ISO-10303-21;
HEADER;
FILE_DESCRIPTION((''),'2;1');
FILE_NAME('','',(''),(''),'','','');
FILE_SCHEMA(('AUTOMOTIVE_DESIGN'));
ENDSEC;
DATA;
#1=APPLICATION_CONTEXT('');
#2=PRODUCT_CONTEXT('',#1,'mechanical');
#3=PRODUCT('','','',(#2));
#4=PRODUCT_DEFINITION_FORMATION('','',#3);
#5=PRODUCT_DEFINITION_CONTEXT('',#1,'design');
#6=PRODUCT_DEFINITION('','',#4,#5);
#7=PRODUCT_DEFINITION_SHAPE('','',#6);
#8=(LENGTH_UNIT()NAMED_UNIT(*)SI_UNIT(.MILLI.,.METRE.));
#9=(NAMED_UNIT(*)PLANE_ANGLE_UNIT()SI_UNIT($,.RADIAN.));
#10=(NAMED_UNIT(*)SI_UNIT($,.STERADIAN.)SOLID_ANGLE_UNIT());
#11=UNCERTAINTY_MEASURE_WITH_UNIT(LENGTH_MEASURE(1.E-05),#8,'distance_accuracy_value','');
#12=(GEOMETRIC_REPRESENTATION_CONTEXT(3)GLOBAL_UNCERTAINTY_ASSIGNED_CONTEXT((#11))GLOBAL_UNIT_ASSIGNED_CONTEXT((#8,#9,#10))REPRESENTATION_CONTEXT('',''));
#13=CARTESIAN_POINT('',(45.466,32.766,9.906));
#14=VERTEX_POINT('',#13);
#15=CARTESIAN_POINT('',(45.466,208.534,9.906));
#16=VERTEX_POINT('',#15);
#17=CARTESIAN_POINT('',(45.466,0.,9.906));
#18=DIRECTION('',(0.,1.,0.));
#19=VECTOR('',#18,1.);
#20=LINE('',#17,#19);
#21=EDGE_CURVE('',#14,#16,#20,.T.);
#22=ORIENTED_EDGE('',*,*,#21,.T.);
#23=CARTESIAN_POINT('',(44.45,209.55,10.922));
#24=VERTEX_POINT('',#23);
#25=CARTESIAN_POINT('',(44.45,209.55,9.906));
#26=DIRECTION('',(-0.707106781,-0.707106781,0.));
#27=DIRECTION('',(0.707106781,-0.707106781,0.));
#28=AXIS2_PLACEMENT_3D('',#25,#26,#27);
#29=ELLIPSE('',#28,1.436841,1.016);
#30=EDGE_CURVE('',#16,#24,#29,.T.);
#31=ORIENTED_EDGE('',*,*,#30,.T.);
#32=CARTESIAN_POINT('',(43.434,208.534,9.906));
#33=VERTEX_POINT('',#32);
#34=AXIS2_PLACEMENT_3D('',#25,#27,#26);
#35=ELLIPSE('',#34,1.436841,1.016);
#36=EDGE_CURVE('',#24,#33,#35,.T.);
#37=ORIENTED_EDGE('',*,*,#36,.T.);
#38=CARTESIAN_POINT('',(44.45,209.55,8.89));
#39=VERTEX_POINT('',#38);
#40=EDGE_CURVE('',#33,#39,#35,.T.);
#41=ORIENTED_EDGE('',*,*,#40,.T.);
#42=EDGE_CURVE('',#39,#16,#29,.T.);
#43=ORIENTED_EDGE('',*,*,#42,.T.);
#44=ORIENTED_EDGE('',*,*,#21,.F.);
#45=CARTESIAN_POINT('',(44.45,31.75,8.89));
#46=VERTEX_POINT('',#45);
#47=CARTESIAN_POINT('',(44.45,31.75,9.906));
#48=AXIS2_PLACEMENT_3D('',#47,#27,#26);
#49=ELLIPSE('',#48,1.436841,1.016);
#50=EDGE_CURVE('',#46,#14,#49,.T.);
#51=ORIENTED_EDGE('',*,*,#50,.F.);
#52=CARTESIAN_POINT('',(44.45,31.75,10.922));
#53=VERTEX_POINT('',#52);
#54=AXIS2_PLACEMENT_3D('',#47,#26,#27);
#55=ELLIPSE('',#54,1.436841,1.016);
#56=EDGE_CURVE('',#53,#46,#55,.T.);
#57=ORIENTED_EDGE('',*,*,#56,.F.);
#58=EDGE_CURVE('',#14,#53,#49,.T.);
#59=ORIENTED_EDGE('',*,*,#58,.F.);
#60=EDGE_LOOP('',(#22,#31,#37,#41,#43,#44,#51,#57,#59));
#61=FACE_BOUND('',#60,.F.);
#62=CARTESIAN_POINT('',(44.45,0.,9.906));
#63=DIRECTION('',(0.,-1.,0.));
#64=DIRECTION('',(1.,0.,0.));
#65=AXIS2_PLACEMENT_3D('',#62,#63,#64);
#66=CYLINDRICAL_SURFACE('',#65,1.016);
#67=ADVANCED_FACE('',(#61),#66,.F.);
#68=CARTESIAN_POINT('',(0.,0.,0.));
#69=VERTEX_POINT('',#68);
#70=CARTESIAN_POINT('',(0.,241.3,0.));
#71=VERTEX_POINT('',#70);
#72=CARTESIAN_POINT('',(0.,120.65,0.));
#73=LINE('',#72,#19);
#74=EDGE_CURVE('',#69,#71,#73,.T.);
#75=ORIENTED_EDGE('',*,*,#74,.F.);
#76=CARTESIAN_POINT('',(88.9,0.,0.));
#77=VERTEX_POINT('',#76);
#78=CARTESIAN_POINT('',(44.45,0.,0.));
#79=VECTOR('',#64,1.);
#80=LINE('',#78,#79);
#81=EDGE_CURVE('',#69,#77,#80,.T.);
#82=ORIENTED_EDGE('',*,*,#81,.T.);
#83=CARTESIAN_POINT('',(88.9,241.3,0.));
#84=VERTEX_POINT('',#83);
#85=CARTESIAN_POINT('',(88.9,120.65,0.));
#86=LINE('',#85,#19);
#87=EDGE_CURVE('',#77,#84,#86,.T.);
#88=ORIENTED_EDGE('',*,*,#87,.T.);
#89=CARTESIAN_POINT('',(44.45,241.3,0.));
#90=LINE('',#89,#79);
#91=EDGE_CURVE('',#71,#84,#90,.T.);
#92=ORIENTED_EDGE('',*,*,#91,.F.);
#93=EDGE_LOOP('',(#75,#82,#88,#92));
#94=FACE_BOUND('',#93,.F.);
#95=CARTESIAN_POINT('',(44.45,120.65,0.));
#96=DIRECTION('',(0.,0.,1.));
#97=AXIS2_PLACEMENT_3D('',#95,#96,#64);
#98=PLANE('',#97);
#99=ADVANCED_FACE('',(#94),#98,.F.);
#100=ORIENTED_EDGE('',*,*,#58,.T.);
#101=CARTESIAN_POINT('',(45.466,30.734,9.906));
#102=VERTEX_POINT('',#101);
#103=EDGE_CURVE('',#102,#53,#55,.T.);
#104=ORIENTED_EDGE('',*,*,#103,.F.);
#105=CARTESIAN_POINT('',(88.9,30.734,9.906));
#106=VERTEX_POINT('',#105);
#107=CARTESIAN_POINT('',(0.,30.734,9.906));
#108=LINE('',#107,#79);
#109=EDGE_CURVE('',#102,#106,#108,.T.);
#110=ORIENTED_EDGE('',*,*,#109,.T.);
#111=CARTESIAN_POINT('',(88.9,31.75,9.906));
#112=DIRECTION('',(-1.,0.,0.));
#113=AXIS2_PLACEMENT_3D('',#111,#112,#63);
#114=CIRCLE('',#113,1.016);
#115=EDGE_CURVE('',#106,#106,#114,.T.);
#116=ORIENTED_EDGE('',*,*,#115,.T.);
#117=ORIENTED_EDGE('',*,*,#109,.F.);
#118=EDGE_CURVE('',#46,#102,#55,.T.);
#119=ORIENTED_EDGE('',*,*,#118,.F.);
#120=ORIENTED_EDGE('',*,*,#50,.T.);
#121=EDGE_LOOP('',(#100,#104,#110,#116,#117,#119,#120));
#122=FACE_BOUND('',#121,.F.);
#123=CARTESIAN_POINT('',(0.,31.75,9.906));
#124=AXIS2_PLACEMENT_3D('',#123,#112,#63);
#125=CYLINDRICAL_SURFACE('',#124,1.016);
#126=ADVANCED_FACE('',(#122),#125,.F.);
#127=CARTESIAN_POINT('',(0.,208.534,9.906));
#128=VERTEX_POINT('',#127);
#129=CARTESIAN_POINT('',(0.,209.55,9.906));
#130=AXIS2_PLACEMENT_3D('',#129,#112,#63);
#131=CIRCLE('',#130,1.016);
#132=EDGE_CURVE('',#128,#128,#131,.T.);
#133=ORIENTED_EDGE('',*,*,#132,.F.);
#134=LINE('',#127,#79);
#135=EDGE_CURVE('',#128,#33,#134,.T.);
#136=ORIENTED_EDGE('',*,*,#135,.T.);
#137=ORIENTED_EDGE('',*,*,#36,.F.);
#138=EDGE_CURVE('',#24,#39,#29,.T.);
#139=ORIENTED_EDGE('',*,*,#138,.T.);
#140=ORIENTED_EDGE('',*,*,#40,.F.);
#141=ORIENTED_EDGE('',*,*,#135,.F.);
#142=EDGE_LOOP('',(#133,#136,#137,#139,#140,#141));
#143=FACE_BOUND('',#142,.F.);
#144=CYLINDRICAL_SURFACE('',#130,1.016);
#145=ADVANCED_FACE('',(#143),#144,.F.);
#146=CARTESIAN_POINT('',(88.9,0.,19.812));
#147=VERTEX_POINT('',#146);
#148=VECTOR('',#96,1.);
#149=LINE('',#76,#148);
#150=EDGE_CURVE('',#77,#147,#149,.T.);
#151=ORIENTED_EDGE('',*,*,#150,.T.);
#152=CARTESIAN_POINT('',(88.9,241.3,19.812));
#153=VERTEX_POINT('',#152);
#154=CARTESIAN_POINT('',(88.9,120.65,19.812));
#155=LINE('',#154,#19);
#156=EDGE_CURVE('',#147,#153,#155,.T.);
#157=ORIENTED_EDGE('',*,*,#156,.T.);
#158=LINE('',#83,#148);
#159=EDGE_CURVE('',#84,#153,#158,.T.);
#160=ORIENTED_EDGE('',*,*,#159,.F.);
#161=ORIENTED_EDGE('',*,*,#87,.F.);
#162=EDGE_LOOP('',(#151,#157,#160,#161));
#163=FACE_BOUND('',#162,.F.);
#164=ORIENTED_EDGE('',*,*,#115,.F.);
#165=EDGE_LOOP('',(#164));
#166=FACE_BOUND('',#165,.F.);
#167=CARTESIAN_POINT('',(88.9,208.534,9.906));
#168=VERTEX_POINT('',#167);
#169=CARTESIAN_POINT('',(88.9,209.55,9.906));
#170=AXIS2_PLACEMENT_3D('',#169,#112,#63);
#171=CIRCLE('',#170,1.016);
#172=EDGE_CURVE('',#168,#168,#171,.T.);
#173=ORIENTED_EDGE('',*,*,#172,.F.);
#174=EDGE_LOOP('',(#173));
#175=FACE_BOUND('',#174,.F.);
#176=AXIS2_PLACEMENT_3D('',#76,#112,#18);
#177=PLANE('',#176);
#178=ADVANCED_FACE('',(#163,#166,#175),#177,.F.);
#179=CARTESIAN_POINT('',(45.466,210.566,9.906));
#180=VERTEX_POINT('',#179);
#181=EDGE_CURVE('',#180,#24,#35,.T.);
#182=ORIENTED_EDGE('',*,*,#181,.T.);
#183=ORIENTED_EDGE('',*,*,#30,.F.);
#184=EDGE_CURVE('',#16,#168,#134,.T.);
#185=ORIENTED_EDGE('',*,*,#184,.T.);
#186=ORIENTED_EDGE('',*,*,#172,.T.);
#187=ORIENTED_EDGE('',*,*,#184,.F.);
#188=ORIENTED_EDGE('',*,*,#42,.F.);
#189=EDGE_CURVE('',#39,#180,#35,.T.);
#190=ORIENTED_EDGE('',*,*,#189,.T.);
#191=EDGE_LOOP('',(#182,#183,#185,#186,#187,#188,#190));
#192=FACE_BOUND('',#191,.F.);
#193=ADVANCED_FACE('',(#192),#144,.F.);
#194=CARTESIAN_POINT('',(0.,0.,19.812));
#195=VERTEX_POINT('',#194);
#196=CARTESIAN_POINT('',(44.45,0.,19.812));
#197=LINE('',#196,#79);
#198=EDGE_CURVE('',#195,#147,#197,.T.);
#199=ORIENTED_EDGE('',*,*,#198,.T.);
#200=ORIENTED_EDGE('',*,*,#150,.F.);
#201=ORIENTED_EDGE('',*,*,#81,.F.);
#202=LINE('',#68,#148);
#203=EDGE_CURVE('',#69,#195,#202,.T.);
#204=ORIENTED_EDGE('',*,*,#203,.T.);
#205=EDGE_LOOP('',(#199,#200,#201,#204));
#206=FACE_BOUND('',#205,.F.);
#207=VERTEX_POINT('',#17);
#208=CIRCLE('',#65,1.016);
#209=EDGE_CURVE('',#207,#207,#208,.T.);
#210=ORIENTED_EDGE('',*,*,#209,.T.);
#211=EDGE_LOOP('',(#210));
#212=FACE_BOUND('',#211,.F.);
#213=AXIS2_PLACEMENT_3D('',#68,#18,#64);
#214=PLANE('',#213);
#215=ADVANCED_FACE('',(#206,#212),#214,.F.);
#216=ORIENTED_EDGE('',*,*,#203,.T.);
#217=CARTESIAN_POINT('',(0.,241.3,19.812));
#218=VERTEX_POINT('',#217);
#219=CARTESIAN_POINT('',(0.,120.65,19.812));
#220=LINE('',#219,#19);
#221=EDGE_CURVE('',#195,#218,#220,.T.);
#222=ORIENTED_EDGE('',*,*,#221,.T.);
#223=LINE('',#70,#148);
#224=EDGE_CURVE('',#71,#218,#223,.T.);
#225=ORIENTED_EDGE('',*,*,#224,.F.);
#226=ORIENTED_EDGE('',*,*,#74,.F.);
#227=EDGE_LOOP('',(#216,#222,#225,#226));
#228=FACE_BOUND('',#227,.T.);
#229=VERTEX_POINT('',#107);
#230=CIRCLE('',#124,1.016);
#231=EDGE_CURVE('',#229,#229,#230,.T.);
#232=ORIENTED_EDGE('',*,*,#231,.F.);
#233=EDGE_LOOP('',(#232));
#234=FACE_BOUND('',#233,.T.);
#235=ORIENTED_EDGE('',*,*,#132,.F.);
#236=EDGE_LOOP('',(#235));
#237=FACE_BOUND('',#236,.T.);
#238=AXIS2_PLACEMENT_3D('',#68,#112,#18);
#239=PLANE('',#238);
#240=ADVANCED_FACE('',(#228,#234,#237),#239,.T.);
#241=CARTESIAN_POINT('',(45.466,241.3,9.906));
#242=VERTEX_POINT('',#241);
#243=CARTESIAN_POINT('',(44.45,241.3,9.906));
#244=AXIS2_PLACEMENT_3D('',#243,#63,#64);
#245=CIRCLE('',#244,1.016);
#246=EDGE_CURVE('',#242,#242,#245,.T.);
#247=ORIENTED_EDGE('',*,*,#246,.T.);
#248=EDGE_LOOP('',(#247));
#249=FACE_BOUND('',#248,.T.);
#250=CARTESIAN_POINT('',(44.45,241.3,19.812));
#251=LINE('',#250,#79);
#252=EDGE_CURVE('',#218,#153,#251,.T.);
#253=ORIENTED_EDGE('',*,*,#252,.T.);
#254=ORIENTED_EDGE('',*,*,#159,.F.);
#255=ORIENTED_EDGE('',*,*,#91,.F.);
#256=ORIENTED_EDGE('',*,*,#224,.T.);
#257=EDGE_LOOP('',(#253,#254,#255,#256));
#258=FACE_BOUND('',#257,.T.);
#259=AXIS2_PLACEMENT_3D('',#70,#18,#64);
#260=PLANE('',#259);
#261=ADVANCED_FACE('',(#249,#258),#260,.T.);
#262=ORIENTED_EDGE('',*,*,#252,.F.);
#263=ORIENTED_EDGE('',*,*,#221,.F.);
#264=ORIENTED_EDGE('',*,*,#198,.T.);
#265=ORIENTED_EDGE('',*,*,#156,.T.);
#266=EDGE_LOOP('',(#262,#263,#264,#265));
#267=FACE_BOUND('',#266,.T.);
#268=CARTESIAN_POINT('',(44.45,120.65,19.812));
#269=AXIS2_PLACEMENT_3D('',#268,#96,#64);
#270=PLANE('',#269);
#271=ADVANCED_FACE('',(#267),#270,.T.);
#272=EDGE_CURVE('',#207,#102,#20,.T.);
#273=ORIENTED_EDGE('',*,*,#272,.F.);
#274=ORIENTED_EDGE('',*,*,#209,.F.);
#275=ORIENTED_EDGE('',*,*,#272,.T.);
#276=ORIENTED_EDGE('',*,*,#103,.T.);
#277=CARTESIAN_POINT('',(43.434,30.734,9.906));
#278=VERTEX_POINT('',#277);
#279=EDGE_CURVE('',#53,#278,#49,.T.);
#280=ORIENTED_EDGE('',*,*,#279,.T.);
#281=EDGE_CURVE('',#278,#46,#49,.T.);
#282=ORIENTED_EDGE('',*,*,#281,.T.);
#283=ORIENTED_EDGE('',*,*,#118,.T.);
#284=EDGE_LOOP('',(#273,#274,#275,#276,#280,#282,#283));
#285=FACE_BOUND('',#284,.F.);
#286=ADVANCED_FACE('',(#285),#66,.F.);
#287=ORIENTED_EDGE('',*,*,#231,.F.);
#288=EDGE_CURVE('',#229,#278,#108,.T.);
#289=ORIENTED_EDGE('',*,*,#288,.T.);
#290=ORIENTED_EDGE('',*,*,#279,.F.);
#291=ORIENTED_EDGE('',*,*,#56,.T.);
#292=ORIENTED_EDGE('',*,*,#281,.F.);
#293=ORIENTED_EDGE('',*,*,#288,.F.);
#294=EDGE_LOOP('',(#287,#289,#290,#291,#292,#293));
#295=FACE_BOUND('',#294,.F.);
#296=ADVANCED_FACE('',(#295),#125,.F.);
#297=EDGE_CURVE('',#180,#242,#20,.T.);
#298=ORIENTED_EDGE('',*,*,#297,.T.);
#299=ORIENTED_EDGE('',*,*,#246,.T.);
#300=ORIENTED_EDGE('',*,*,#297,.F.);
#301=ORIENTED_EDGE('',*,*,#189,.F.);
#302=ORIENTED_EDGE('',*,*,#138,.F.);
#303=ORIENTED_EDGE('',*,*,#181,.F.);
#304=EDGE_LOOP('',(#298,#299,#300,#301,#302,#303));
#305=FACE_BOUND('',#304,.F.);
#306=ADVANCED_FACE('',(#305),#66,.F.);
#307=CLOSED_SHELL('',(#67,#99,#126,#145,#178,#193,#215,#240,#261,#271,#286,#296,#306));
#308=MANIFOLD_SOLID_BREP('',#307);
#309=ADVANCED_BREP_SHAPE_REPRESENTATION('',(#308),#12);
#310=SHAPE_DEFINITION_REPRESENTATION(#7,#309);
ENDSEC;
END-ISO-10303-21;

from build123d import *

# Parameters (mm, degrees)
F0_W     = 88.9
F0_H     = 241.3
F1_DEPTH = 19.812
F2_R     = 1.016
F3_DEPTH = 241.301
F4_R     = 1.016
F5_DEPTH = 88.901


with BuildPart() as f1:
    # F0 (on Top) → F1 (new body)
    with BuildSketch(Plane.XY):
        with Locations((44.45, 120.65)):
            Rectangle(F0_W, F0_H)
    extrude(amount=F1_DEPTH)

    # F2 (on face) → F3 (cut, through all)
    with BuildSketch(Plane.XZ):
        with Locations((44.45, 9.906)):
            Circle(F2_R)
    extrude(amount=-F3_DEPTH, mode=Mode.SUBTRACT)

    # F4 (on face) → F5 (cut, through all)
    with BuildSketch(Plane(origin=(0, 0, 0), x_dir=(0, -1, 0), z_dir=(-1, 0, 0))):
        with Locations((-209.55, 9.906)):
            Circle(F4_R)
        with Locations((-31.75, 9.906)):
            Circle(F4_R)
    extrude(amount=-F5_DEPTH, mode=Mode.SUBTRACT)


solid = f1.part
